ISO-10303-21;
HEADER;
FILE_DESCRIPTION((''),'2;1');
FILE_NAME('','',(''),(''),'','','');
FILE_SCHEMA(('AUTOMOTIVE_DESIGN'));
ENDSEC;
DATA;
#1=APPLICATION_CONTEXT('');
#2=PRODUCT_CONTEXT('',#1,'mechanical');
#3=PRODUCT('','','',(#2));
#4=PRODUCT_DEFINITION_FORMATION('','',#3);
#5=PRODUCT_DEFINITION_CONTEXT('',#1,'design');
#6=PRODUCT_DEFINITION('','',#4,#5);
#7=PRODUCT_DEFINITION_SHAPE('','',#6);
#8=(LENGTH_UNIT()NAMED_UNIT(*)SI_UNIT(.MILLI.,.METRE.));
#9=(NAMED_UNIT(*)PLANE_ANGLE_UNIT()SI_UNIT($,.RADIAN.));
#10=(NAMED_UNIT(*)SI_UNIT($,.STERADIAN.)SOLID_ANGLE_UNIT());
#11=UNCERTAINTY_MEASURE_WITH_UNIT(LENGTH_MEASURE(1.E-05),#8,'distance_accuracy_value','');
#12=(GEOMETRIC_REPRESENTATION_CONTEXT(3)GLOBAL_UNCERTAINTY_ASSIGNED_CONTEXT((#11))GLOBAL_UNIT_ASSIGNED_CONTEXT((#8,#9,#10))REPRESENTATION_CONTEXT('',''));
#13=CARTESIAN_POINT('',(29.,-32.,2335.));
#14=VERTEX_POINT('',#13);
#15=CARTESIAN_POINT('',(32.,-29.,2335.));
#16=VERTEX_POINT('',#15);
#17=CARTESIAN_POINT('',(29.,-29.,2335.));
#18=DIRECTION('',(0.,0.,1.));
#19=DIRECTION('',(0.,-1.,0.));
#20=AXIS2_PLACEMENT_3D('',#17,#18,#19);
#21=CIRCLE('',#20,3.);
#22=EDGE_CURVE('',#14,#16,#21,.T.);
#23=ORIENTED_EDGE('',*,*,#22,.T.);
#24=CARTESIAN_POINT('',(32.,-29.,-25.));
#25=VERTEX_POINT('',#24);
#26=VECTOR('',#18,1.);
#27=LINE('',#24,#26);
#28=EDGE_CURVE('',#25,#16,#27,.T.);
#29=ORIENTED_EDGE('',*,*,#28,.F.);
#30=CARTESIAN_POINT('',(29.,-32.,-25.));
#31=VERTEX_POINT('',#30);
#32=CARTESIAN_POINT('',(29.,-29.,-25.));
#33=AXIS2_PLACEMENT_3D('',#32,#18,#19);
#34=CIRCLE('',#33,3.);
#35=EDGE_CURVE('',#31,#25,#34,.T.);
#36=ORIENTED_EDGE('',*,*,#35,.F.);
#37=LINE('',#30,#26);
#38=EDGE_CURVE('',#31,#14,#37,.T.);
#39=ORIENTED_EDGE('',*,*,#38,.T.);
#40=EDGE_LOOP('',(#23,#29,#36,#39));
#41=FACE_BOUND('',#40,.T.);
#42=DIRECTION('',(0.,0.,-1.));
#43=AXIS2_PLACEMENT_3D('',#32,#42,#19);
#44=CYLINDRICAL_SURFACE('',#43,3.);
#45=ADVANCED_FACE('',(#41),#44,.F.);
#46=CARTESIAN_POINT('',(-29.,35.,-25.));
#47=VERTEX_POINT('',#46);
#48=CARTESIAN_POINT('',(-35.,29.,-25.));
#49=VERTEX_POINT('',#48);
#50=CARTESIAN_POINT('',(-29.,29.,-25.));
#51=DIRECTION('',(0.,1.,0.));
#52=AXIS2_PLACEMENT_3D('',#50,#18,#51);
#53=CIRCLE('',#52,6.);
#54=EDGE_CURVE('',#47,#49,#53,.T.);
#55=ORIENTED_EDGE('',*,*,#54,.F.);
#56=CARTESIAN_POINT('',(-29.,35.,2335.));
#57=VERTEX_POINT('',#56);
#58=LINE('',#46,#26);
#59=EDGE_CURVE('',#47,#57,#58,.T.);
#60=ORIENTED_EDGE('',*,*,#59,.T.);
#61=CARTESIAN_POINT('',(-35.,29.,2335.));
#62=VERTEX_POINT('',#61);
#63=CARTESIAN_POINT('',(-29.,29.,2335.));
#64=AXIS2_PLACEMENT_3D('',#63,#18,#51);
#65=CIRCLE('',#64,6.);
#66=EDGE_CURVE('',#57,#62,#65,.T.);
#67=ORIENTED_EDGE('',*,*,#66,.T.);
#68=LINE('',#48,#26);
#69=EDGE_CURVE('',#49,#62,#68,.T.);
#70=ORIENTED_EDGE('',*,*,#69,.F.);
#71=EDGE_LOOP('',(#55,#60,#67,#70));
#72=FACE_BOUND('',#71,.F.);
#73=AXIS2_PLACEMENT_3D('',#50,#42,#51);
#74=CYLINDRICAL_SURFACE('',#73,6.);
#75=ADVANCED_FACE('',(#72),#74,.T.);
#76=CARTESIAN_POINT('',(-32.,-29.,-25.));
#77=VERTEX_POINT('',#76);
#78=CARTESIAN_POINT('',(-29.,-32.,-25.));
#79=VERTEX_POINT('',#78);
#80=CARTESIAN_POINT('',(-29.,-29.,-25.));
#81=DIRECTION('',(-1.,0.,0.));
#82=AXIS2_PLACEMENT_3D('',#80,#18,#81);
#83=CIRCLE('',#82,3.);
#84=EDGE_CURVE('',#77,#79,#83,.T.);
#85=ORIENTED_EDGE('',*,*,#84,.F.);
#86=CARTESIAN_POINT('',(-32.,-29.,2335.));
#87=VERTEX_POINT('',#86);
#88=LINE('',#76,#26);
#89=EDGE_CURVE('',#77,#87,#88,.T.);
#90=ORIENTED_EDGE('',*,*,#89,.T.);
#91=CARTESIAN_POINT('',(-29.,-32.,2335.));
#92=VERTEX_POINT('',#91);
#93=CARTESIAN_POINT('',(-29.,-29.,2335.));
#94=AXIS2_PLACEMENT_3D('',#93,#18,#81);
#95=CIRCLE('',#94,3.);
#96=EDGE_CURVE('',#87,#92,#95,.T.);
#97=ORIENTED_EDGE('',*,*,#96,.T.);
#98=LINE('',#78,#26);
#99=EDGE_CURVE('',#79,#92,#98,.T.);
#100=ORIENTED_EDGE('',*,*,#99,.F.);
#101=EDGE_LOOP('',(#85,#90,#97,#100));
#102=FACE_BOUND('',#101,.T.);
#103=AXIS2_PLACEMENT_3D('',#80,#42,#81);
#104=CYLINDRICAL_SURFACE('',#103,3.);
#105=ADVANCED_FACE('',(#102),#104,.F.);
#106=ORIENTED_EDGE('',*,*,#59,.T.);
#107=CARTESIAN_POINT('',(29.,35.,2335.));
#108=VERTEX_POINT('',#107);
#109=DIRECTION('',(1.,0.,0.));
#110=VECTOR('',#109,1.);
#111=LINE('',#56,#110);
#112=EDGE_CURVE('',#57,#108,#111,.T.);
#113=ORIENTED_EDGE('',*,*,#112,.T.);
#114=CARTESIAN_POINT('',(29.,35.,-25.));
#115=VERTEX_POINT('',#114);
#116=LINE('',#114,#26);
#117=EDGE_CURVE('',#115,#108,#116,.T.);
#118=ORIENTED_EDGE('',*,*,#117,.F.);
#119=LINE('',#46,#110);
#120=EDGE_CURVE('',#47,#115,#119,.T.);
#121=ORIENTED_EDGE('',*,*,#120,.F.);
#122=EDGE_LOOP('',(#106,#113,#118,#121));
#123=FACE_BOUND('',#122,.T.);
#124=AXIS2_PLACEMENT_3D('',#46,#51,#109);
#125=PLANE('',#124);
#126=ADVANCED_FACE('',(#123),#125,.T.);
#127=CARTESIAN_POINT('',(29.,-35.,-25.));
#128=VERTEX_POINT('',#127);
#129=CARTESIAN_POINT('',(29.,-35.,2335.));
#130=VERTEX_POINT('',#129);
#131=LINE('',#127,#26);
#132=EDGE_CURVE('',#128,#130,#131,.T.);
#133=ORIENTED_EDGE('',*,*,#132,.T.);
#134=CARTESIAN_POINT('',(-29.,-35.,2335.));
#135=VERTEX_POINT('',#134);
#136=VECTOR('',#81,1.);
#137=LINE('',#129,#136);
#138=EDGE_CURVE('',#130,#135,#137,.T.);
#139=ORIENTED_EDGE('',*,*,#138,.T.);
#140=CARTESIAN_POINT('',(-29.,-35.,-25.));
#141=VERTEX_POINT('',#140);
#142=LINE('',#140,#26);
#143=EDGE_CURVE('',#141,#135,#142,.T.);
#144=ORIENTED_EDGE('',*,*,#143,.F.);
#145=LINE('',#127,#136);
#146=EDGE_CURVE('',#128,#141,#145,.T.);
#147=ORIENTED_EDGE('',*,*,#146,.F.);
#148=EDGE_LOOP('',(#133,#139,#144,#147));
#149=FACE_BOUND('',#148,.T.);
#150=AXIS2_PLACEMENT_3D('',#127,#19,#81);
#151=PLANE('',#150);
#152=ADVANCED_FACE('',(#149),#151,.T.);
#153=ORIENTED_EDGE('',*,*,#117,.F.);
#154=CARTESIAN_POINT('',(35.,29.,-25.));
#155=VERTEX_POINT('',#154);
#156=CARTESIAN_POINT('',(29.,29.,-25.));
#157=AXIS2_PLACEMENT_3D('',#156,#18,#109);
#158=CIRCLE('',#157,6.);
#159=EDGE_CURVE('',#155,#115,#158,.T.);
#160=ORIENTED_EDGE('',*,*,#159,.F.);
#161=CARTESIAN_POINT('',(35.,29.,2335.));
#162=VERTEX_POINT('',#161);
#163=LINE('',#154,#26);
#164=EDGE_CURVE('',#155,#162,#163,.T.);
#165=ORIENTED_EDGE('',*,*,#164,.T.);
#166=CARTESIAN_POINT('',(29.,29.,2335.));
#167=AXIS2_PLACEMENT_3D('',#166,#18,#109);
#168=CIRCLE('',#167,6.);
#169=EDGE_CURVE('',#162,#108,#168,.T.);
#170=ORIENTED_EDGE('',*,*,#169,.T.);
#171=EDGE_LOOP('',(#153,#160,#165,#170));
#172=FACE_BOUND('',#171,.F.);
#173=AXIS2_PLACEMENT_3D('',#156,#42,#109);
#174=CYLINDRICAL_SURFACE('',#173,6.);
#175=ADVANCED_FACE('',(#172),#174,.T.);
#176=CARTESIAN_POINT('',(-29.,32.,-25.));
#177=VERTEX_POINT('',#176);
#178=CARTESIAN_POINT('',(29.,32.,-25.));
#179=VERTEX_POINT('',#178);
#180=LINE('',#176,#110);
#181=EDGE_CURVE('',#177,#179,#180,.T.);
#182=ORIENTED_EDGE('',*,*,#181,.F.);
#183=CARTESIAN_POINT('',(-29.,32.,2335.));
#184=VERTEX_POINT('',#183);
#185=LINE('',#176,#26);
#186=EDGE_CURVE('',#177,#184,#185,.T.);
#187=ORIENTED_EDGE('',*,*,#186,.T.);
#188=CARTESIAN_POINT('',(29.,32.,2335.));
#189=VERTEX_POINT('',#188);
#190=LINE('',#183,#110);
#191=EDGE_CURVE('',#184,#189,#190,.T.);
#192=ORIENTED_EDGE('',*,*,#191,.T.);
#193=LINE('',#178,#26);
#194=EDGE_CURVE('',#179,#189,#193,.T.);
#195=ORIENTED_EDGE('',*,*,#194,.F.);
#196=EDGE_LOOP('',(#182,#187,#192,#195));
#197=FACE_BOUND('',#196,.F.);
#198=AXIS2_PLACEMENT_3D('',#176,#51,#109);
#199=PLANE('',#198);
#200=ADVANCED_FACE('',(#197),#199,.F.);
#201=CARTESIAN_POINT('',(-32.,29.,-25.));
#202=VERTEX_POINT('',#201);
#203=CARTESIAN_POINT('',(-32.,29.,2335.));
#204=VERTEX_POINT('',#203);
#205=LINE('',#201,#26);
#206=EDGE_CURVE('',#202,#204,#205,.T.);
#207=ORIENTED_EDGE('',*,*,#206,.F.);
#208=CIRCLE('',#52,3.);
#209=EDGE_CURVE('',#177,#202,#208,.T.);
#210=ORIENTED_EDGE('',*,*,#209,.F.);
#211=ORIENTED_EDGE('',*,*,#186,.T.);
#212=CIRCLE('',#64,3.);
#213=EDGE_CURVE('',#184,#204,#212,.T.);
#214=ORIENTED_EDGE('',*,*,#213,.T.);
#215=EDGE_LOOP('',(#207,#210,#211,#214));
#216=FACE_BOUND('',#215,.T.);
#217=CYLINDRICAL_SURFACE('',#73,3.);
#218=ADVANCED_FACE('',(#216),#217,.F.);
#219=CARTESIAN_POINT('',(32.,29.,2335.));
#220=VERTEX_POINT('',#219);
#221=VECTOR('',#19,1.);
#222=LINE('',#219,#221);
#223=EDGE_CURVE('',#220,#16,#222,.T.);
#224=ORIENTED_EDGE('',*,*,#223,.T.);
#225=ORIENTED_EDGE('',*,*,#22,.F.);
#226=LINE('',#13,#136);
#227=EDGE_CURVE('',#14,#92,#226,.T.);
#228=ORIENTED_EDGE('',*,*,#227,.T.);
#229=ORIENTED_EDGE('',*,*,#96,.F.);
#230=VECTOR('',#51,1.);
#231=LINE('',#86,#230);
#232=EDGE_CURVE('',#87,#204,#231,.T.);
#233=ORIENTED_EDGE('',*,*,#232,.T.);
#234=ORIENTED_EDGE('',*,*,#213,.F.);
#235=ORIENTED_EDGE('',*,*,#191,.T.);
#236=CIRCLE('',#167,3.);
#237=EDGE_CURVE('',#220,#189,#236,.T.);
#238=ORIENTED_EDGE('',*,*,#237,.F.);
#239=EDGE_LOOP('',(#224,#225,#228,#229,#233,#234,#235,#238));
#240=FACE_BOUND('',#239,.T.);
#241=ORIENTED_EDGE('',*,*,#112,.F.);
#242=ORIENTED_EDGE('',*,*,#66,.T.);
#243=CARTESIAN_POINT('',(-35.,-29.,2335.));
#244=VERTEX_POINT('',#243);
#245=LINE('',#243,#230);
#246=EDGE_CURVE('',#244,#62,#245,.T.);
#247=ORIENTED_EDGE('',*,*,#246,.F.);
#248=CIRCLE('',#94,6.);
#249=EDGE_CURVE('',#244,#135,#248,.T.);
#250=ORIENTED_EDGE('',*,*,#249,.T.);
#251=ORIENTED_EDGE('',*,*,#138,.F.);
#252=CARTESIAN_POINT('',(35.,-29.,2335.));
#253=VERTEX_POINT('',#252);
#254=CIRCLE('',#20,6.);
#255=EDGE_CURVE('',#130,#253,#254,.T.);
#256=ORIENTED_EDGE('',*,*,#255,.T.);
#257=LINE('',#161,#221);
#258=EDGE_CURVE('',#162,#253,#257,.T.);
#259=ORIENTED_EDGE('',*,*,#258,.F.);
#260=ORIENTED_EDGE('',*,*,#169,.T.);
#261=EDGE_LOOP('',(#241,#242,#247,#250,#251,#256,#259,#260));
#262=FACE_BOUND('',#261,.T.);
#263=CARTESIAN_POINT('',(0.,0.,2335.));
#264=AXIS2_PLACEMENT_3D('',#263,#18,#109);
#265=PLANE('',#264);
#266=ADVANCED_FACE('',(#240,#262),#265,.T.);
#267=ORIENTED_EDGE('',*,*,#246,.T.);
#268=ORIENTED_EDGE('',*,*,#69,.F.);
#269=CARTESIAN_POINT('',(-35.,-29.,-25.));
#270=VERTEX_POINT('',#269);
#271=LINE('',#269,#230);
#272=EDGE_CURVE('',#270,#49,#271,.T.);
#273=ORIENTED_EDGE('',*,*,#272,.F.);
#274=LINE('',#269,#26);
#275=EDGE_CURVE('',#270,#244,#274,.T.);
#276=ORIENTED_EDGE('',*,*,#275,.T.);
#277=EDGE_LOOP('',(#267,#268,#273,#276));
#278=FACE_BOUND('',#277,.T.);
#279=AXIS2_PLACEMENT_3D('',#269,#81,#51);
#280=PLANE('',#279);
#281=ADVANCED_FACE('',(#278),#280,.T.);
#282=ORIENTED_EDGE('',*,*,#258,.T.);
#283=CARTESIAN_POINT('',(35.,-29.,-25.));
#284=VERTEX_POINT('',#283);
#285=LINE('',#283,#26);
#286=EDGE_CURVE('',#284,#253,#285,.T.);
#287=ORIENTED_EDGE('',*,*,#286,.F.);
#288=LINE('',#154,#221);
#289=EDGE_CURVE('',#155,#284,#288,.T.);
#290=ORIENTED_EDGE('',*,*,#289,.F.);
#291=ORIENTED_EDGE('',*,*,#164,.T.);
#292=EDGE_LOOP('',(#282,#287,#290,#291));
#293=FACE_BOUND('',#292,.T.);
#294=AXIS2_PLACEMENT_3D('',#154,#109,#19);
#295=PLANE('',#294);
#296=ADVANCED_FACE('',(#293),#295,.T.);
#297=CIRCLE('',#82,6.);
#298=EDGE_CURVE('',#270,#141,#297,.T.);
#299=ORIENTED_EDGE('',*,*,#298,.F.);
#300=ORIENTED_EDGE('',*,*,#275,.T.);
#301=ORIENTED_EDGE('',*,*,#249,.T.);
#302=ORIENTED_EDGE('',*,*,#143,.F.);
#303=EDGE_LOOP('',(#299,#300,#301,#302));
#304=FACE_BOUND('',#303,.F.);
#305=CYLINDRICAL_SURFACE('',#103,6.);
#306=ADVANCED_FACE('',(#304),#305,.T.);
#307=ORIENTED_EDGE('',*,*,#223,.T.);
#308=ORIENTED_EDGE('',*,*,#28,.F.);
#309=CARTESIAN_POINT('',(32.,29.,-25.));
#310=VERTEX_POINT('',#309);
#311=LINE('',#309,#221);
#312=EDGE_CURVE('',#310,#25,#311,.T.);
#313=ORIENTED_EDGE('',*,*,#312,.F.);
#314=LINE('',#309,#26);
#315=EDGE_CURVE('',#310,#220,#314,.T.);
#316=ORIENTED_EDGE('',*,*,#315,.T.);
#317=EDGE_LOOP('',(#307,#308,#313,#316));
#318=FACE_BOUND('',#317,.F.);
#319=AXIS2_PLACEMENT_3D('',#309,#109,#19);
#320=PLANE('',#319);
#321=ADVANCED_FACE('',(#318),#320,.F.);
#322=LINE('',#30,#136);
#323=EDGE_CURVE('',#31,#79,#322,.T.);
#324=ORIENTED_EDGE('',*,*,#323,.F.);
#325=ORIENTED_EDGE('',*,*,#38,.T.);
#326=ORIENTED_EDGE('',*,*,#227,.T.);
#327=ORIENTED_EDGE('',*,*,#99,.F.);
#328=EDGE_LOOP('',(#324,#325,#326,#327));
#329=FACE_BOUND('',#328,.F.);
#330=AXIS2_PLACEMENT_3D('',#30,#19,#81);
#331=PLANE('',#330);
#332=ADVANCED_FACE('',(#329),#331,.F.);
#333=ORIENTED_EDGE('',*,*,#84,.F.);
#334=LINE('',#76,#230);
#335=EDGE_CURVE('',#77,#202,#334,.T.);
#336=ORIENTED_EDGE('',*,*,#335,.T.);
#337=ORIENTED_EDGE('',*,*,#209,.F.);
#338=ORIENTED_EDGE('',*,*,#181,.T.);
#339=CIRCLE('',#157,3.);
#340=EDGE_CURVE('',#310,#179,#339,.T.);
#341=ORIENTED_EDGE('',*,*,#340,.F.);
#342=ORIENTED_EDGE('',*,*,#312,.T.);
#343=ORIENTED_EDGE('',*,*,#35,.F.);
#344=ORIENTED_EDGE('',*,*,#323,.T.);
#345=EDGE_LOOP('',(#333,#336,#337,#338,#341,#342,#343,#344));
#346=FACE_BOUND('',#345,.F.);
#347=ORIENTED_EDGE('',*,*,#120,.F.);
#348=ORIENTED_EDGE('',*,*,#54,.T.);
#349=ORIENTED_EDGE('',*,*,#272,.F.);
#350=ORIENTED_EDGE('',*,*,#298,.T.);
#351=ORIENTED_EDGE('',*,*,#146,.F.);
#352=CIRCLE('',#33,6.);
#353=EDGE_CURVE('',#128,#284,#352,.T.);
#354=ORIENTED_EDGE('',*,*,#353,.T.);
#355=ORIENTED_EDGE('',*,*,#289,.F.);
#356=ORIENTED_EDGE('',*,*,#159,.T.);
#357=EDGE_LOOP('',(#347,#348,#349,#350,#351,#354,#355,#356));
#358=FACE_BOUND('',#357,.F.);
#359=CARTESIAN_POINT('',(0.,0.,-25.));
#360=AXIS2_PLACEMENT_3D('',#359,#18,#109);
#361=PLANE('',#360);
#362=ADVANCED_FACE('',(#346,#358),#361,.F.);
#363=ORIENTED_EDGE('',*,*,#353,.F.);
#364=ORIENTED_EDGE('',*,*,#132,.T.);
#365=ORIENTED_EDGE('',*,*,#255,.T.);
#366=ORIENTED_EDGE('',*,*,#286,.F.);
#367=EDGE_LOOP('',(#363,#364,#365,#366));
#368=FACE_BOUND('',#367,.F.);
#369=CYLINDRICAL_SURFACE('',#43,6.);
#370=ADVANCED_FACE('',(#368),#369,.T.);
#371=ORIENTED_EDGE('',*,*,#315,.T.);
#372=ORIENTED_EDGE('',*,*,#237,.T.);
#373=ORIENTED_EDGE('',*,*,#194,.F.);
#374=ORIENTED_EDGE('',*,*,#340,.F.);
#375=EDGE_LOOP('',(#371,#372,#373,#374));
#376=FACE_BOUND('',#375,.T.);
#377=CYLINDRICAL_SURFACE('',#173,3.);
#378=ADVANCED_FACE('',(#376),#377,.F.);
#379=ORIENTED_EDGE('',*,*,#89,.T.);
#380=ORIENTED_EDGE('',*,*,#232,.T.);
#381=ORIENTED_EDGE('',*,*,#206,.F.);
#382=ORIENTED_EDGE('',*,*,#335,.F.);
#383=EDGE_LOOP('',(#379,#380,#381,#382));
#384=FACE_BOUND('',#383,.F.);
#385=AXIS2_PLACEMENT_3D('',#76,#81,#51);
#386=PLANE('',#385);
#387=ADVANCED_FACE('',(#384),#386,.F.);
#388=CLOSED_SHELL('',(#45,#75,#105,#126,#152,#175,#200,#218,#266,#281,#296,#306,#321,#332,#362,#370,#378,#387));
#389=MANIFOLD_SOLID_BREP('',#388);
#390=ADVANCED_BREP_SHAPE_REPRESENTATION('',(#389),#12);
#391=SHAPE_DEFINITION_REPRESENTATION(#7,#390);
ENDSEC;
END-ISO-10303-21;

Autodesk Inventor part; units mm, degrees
ref_plane "Start Plane" through (0, 0, -25) normal (0, 0, 1) x (1, 0, 0)
ref_plane "End Plane" through (0, 0, 2335) normal (0, 0, 1) x (1, 0, 0)
sketch "Sketch" plane through (0, 0, 0) normal (0, 0, 1) x (1, 0, 0)
  line L0 (-35, -29) -> (-35, 29)
  line L1 (-29, 35) -> (29, 35)
  line L2 (35, 29) -> (35, -29)
  line L3 (29, -35) -> (-29, -35)
  arc A0 (-35, -29) -> (-29, -35) centre (-29, -29) ccw
  arc A1 (35, 29) -> (29, 35) centre (29, 29) ccw
  arc A2 (-29, 35) -> (-35, 29) centre (-29, 29) ccw
  arc A3 (29, -35) -> (35, -29) centre (29, -29) ccw
  arc A4 (-29, 32) -> (-32, 29) centre (-29, 29) ccw
  line L4 (-29, 32) -> (29, 32)
  arc A5 (32, 29) -> (29, 32) centre (29, 29) ccw
  line L5 (32, 29) -> (32, -29)
  arc A6 (29, -32) -> (32, -29) centre (29, -29) ccw
  line L6 (29, -32) -> (-29, -32)
  arc A7 (-32, -29) -> (-29, -32) centre (-29, -29) ccw
  line L7 (-32, -29) -> (-32, 29)
  line L8 (0, 50.7397) -> (0, -50.7397) construction
  line L9 (-50.7397, 0) -> (50.7397, 0) construction
  dimension "d7" = 6
  dimension "d9" = 70
  dimension "d11" = 70
  dimension "d12" = 3
  dimension "d15" = 35
  dimension "d16" = 35
extrude "Body" add sketch "Sketch" along normal up to surface (2360 mm away) from surface at -25
sketch "Sketch3" plane through (0, 0, 0) normal (0, 0, 1) x (1, 0, 0)
  line L0 (0, 0) -> (10, 0)
ref_plane "Work Plane3" through (0, 0, 0) normal (0, -1, 0) x (1, 0, 0)
sketch "Sketch4" plane through (0, 0, 0) normal (0, -1, 0) x (1, 0, 0)
  line L0 (-2, -25) -> (12, -25)
  line L1 (-2, 2335) -> (12, 2335)
  dimension "d18" = 2360
ref_plane "Work Plane4" through (-1000, 21, -25) normal (0, 0, -1) x (-1, 0, 0)
split "Split1" plane through (-1000, 21, -25) removes the side toward (0, 0, -1)
ref_plane "Work Plane5" through (-1000, -21, 2335) normal (0, 0, 1) x (1, 0, 0)
split "Split2" plane through (-1000, -21, 2335) removes the side toward (0, 0, 1)
equation "\"d7\" = G_IR"
equation "\"d9\" = G_W"
equation "\"d11\" = G_H"
equation "\"d12\" = G_T"
equation "\"d15\" = 0.5 * d9"
equation "\"d16\" = 0.5 * d11"
equation "\"d3\" = G_L"
equation "\"G_W\" = 70"
equation "\"G_H\" = 70"
equation "\"G_T\" = 3"
equation "\"G_IR\" = 6"
equation "\"G_L\" = d18"
equation "\"G_OFFSET_START\" = 25"
equation "\"G_OFFSET_END\" = 25"
equation "\"d13\" = -G_OFFSET_START"
equation "\"d14\" = G_OFFSET_END + B_L"
equation "\"B_L\" = 2310"
properties part number "ISO 10799-2 - 70x70x3 - 2360" material "Galvanizado catalogo 2"
